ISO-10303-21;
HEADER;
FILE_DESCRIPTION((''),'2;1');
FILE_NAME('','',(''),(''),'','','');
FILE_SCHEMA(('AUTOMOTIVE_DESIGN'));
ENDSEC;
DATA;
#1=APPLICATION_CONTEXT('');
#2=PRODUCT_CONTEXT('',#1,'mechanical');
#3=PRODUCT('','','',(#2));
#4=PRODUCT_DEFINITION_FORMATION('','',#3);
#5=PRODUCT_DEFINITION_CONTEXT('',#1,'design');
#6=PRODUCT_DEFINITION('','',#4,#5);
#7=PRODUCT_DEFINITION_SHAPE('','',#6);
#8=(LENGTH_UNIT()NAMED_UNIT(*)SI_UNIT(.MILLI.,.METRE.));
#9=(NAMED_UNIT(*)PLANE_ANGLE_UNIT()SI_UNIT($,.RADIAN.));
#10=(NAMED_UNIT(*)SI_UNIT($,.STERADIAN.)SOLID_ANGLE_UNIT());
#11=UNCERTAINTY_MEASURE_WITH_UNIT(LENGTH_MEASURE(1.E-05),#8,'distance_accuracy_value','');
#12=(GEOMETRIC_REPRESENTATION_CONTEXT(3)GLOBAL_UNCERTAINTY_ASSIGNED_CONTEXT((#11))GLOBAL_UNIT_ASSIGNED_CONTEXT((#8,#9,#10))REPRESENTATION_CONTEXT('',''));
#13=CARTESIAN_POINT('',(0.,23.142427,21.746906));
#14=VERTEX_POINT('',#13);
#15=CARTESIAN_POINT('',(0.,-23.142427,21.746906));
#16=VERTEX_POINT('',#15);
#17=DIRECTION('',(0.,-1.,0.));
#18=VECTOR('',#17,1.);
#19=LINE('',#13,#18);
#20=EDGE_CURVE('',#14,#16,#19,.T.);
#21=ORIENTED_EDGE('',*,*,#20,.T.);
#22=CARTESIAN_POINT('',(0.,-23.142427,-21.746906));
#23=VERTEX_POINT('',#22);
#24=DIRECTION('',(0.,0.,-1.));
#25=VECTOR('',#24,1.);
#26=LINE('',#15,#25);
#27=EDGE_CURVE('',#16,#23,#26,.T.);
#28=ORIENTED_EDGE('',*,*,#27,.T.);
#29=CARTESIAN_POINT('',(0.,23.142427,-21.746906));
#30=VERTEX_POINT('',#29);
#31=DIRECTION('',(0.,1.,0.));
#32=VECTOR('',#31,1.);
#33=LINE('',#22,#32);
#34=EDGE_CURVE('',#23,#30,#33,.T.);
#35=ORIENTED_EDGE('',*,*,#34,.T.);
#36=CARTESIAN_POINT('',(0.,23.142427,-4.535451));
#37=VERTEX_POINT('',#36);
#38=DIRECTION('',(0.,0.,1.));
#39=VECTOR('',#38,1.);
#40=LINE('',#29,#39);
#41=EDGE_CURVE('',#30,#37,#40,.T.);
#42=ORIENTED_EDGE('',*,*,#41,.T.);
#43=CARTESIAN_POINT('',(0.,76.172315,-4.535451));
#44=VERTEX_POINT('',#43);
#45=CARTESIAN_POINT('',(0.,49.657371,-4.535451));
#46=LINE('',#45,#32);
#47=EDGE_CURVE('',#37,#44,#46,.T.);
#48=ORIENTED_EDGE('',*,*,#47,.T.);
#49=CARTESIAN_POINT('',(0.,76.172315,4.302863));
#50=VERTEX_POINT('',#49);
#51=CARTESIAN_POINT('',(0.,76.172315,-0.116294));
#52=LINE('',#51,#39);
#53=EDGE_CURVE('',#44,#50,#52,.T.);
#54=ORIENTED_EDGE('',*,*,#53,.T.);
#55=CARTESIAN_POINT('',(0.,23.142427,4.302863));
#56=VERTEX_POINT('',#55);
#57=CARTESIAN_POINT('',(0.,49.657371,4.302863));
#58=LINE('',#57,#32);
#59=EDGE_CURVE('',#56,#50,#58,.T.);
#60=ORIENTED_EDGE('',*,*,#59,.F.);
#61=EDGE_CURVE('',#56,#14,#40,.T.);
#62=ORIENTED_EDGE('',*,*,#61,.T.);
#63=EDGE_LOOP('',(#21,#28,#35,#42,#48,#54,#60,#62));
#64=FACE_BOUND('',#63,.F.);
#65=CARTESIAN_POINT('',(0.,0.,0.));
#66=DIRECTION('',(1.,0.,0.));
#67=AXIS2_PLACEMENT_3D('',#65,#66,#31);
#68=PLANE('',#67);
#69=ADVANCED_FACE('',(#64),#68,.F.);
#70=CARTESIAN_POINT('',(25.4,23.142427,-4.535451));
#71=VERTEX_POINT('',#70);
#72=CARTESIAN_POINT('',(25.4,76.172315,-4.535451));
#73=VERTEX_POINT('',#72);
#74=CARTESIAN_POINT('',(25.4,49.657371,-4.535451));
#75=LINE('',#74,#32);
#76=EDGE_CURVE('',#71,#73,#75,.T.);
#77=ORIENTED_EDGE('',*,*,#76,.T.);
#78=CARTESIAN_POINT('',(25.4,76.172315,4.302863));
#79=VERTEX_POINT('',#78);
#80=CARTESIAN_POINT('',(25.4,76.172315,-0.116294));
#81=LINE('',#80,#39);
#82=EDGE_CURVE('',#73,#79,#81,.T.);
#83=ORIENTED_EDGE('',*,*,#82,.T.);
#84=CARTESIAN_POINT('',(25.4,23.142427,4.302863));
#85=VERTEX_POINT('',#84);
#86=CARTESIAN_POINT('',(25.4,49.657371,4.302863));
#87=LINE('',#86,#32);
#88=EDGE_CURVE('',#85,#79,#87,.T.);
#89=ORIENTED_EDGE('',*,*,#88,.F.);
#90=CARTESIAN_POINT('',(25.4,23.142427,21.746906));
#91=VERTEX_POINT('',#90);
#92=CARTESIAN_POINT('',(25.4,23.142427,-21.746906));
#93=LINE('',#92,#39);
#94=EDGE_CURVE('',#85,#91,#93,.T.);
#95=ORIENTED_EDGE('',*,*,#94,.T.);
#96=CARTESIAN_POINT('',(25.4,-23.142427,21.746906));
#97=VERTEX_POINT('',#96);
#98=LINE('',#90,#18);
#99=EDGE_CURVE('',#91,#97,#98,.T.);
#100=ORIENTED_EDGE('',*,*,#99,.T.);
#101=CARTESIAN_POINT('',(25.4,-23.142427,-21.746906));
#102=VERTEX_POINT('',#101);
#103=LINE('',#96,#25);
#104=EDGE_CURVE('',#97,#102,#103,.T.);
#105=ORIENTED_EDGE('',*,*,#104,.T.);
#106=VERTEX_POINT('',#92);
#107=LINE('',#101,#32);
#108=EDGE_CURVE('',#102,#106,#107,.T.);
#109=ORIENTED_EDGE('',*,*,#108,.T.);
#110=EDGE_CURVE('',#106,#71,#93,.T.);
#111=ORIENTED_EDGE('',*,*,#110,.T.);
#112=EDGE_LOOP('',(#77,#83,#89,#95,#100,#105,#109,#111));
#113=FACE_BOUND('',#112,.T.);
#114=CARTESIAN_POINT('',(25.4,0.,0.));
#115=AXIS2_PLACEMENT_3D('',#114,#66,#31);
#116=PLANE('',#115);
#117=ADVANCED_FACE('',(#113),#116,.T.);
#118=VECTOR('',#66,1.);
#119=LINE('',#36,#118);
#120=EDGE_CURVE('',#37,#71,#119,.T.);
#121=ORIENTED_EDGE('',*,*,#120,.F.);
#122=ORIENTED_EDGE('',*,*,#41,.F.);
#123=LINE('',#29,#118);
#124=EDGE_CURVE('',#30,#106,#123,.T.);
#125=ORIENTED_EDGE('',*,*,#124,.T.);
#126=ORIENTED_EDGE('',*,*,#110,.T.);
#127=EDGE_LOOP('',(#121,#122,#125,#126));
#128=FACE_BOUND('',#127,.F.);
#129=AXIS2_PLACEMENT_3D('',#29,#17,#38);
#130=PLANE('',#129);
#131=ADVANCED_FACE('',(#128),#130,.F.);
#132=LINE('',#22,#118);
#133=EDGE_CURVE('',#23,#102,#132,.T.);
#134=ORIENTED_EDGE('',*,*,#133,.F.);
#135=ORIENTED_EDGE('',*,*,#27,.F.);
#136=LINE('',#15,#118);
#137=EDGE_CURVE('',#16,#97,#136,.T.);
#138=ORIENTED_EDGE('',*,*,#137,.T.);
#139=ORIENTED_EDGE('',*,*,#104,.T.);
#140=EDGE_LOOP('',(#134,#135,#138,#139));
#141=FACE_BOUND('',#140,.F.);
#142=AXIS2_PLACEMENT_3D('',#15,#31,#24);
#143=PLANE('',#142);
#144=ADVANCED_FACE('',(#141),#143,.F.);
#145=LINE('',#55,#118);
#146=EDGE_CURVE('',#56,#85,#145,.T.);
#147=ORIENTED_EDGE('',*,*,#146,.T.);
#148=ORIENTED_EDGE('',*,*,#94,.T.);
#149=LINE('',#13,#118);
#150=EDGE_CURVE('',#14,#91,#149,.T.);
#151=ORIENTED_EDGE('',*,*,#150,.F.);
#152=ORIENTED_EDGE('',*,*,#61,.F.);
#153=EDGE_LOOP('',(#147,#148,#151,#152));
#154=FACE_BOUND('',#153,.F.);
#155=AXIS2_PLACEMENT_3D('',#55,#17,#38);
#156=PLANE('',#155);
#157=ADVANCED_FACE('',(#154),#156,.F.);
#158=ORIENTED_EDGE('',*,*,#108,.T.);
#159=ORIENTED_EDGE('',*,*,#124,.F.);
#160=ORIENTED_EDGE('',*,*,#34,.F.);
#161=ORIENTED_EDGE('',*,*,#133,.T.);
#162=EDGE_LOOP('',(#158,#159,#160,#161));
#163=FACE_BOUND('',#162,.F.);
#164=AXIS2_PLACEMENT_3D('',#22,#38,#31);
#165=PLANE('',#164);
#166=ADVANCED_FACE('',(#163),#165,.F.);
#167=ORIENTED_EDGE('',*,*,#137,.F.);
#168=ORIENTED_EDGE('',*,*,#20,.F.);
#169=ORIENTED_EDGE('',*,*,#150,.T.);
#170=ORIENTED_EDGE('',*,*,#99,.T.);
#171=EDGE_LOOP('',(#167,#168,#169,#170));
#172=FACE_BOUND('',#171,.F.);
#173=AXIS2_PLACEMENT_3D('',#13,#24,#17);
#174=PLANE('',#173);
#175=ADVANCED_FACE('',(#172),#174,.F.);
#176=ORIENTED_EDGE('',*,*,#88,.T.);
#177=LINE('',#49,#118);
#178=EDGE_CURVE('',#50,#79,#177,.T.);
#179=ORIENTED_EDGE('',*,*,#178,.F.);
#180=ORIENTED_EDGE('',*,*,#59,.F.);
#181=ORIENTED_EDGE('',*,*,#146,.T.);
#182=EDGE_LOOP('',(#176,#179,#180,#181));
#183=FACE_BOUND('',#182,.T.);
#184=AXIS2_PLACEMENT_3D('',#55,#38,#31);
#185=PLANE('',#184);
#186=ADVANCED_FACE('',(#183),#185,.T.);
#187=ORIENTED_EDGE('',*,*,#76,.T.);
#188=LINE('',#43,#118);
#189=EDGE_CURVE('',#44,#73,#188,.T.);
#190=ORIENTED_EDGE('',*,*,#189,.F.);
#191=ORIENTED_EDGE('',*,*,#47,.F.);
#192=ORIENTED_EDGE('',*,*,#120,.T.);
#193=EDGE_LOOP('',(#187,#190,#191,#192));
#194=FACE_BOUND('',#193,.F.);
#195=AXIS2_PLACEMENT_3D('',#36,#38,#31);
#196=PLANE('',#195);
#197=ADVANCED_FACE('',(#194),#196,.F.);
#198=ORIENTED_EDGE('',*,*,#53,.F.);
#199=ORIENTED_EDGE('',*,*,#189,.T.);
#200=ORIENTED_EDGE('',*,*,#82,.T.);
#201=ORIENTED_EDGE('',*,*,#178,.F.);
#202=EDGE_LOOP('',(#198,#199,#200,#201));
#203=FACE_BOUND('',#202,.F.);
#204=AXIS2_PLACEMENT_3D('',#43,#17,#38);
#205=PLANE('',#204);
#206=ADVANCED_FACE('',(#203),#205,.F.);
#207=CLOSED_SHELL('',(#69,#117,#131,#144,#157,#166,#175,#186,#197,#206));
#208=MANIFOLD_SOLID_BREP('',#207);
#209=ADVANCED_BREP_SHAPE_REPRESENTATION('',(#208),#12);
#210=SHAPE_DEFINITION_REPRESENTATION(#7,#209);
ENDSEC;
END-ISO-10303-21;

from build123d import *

# Parameters (mm, degrees)
F0_W     = 53.029888
F0_H     = 8.838314
F1_DEPTH = 25.4


with BuildPart() as f1:
    # F0 (on Right) → F1 (new body)
    with BuildSketch(Plane.YZ):
        Polygon((-23.142427, 21.746906), (-23.142427, -21.746906), (23.142427, -21.746906), (23.142427, -4.535451), (23.142427, 4.302863), (23.142427, 21.746906), align=None)
        with Locations((49.657371, -0.116294)):
            Rectangle(F0_W, F0_H)
    extrude(amount=F1_DEPTH)


solid = f1.part
